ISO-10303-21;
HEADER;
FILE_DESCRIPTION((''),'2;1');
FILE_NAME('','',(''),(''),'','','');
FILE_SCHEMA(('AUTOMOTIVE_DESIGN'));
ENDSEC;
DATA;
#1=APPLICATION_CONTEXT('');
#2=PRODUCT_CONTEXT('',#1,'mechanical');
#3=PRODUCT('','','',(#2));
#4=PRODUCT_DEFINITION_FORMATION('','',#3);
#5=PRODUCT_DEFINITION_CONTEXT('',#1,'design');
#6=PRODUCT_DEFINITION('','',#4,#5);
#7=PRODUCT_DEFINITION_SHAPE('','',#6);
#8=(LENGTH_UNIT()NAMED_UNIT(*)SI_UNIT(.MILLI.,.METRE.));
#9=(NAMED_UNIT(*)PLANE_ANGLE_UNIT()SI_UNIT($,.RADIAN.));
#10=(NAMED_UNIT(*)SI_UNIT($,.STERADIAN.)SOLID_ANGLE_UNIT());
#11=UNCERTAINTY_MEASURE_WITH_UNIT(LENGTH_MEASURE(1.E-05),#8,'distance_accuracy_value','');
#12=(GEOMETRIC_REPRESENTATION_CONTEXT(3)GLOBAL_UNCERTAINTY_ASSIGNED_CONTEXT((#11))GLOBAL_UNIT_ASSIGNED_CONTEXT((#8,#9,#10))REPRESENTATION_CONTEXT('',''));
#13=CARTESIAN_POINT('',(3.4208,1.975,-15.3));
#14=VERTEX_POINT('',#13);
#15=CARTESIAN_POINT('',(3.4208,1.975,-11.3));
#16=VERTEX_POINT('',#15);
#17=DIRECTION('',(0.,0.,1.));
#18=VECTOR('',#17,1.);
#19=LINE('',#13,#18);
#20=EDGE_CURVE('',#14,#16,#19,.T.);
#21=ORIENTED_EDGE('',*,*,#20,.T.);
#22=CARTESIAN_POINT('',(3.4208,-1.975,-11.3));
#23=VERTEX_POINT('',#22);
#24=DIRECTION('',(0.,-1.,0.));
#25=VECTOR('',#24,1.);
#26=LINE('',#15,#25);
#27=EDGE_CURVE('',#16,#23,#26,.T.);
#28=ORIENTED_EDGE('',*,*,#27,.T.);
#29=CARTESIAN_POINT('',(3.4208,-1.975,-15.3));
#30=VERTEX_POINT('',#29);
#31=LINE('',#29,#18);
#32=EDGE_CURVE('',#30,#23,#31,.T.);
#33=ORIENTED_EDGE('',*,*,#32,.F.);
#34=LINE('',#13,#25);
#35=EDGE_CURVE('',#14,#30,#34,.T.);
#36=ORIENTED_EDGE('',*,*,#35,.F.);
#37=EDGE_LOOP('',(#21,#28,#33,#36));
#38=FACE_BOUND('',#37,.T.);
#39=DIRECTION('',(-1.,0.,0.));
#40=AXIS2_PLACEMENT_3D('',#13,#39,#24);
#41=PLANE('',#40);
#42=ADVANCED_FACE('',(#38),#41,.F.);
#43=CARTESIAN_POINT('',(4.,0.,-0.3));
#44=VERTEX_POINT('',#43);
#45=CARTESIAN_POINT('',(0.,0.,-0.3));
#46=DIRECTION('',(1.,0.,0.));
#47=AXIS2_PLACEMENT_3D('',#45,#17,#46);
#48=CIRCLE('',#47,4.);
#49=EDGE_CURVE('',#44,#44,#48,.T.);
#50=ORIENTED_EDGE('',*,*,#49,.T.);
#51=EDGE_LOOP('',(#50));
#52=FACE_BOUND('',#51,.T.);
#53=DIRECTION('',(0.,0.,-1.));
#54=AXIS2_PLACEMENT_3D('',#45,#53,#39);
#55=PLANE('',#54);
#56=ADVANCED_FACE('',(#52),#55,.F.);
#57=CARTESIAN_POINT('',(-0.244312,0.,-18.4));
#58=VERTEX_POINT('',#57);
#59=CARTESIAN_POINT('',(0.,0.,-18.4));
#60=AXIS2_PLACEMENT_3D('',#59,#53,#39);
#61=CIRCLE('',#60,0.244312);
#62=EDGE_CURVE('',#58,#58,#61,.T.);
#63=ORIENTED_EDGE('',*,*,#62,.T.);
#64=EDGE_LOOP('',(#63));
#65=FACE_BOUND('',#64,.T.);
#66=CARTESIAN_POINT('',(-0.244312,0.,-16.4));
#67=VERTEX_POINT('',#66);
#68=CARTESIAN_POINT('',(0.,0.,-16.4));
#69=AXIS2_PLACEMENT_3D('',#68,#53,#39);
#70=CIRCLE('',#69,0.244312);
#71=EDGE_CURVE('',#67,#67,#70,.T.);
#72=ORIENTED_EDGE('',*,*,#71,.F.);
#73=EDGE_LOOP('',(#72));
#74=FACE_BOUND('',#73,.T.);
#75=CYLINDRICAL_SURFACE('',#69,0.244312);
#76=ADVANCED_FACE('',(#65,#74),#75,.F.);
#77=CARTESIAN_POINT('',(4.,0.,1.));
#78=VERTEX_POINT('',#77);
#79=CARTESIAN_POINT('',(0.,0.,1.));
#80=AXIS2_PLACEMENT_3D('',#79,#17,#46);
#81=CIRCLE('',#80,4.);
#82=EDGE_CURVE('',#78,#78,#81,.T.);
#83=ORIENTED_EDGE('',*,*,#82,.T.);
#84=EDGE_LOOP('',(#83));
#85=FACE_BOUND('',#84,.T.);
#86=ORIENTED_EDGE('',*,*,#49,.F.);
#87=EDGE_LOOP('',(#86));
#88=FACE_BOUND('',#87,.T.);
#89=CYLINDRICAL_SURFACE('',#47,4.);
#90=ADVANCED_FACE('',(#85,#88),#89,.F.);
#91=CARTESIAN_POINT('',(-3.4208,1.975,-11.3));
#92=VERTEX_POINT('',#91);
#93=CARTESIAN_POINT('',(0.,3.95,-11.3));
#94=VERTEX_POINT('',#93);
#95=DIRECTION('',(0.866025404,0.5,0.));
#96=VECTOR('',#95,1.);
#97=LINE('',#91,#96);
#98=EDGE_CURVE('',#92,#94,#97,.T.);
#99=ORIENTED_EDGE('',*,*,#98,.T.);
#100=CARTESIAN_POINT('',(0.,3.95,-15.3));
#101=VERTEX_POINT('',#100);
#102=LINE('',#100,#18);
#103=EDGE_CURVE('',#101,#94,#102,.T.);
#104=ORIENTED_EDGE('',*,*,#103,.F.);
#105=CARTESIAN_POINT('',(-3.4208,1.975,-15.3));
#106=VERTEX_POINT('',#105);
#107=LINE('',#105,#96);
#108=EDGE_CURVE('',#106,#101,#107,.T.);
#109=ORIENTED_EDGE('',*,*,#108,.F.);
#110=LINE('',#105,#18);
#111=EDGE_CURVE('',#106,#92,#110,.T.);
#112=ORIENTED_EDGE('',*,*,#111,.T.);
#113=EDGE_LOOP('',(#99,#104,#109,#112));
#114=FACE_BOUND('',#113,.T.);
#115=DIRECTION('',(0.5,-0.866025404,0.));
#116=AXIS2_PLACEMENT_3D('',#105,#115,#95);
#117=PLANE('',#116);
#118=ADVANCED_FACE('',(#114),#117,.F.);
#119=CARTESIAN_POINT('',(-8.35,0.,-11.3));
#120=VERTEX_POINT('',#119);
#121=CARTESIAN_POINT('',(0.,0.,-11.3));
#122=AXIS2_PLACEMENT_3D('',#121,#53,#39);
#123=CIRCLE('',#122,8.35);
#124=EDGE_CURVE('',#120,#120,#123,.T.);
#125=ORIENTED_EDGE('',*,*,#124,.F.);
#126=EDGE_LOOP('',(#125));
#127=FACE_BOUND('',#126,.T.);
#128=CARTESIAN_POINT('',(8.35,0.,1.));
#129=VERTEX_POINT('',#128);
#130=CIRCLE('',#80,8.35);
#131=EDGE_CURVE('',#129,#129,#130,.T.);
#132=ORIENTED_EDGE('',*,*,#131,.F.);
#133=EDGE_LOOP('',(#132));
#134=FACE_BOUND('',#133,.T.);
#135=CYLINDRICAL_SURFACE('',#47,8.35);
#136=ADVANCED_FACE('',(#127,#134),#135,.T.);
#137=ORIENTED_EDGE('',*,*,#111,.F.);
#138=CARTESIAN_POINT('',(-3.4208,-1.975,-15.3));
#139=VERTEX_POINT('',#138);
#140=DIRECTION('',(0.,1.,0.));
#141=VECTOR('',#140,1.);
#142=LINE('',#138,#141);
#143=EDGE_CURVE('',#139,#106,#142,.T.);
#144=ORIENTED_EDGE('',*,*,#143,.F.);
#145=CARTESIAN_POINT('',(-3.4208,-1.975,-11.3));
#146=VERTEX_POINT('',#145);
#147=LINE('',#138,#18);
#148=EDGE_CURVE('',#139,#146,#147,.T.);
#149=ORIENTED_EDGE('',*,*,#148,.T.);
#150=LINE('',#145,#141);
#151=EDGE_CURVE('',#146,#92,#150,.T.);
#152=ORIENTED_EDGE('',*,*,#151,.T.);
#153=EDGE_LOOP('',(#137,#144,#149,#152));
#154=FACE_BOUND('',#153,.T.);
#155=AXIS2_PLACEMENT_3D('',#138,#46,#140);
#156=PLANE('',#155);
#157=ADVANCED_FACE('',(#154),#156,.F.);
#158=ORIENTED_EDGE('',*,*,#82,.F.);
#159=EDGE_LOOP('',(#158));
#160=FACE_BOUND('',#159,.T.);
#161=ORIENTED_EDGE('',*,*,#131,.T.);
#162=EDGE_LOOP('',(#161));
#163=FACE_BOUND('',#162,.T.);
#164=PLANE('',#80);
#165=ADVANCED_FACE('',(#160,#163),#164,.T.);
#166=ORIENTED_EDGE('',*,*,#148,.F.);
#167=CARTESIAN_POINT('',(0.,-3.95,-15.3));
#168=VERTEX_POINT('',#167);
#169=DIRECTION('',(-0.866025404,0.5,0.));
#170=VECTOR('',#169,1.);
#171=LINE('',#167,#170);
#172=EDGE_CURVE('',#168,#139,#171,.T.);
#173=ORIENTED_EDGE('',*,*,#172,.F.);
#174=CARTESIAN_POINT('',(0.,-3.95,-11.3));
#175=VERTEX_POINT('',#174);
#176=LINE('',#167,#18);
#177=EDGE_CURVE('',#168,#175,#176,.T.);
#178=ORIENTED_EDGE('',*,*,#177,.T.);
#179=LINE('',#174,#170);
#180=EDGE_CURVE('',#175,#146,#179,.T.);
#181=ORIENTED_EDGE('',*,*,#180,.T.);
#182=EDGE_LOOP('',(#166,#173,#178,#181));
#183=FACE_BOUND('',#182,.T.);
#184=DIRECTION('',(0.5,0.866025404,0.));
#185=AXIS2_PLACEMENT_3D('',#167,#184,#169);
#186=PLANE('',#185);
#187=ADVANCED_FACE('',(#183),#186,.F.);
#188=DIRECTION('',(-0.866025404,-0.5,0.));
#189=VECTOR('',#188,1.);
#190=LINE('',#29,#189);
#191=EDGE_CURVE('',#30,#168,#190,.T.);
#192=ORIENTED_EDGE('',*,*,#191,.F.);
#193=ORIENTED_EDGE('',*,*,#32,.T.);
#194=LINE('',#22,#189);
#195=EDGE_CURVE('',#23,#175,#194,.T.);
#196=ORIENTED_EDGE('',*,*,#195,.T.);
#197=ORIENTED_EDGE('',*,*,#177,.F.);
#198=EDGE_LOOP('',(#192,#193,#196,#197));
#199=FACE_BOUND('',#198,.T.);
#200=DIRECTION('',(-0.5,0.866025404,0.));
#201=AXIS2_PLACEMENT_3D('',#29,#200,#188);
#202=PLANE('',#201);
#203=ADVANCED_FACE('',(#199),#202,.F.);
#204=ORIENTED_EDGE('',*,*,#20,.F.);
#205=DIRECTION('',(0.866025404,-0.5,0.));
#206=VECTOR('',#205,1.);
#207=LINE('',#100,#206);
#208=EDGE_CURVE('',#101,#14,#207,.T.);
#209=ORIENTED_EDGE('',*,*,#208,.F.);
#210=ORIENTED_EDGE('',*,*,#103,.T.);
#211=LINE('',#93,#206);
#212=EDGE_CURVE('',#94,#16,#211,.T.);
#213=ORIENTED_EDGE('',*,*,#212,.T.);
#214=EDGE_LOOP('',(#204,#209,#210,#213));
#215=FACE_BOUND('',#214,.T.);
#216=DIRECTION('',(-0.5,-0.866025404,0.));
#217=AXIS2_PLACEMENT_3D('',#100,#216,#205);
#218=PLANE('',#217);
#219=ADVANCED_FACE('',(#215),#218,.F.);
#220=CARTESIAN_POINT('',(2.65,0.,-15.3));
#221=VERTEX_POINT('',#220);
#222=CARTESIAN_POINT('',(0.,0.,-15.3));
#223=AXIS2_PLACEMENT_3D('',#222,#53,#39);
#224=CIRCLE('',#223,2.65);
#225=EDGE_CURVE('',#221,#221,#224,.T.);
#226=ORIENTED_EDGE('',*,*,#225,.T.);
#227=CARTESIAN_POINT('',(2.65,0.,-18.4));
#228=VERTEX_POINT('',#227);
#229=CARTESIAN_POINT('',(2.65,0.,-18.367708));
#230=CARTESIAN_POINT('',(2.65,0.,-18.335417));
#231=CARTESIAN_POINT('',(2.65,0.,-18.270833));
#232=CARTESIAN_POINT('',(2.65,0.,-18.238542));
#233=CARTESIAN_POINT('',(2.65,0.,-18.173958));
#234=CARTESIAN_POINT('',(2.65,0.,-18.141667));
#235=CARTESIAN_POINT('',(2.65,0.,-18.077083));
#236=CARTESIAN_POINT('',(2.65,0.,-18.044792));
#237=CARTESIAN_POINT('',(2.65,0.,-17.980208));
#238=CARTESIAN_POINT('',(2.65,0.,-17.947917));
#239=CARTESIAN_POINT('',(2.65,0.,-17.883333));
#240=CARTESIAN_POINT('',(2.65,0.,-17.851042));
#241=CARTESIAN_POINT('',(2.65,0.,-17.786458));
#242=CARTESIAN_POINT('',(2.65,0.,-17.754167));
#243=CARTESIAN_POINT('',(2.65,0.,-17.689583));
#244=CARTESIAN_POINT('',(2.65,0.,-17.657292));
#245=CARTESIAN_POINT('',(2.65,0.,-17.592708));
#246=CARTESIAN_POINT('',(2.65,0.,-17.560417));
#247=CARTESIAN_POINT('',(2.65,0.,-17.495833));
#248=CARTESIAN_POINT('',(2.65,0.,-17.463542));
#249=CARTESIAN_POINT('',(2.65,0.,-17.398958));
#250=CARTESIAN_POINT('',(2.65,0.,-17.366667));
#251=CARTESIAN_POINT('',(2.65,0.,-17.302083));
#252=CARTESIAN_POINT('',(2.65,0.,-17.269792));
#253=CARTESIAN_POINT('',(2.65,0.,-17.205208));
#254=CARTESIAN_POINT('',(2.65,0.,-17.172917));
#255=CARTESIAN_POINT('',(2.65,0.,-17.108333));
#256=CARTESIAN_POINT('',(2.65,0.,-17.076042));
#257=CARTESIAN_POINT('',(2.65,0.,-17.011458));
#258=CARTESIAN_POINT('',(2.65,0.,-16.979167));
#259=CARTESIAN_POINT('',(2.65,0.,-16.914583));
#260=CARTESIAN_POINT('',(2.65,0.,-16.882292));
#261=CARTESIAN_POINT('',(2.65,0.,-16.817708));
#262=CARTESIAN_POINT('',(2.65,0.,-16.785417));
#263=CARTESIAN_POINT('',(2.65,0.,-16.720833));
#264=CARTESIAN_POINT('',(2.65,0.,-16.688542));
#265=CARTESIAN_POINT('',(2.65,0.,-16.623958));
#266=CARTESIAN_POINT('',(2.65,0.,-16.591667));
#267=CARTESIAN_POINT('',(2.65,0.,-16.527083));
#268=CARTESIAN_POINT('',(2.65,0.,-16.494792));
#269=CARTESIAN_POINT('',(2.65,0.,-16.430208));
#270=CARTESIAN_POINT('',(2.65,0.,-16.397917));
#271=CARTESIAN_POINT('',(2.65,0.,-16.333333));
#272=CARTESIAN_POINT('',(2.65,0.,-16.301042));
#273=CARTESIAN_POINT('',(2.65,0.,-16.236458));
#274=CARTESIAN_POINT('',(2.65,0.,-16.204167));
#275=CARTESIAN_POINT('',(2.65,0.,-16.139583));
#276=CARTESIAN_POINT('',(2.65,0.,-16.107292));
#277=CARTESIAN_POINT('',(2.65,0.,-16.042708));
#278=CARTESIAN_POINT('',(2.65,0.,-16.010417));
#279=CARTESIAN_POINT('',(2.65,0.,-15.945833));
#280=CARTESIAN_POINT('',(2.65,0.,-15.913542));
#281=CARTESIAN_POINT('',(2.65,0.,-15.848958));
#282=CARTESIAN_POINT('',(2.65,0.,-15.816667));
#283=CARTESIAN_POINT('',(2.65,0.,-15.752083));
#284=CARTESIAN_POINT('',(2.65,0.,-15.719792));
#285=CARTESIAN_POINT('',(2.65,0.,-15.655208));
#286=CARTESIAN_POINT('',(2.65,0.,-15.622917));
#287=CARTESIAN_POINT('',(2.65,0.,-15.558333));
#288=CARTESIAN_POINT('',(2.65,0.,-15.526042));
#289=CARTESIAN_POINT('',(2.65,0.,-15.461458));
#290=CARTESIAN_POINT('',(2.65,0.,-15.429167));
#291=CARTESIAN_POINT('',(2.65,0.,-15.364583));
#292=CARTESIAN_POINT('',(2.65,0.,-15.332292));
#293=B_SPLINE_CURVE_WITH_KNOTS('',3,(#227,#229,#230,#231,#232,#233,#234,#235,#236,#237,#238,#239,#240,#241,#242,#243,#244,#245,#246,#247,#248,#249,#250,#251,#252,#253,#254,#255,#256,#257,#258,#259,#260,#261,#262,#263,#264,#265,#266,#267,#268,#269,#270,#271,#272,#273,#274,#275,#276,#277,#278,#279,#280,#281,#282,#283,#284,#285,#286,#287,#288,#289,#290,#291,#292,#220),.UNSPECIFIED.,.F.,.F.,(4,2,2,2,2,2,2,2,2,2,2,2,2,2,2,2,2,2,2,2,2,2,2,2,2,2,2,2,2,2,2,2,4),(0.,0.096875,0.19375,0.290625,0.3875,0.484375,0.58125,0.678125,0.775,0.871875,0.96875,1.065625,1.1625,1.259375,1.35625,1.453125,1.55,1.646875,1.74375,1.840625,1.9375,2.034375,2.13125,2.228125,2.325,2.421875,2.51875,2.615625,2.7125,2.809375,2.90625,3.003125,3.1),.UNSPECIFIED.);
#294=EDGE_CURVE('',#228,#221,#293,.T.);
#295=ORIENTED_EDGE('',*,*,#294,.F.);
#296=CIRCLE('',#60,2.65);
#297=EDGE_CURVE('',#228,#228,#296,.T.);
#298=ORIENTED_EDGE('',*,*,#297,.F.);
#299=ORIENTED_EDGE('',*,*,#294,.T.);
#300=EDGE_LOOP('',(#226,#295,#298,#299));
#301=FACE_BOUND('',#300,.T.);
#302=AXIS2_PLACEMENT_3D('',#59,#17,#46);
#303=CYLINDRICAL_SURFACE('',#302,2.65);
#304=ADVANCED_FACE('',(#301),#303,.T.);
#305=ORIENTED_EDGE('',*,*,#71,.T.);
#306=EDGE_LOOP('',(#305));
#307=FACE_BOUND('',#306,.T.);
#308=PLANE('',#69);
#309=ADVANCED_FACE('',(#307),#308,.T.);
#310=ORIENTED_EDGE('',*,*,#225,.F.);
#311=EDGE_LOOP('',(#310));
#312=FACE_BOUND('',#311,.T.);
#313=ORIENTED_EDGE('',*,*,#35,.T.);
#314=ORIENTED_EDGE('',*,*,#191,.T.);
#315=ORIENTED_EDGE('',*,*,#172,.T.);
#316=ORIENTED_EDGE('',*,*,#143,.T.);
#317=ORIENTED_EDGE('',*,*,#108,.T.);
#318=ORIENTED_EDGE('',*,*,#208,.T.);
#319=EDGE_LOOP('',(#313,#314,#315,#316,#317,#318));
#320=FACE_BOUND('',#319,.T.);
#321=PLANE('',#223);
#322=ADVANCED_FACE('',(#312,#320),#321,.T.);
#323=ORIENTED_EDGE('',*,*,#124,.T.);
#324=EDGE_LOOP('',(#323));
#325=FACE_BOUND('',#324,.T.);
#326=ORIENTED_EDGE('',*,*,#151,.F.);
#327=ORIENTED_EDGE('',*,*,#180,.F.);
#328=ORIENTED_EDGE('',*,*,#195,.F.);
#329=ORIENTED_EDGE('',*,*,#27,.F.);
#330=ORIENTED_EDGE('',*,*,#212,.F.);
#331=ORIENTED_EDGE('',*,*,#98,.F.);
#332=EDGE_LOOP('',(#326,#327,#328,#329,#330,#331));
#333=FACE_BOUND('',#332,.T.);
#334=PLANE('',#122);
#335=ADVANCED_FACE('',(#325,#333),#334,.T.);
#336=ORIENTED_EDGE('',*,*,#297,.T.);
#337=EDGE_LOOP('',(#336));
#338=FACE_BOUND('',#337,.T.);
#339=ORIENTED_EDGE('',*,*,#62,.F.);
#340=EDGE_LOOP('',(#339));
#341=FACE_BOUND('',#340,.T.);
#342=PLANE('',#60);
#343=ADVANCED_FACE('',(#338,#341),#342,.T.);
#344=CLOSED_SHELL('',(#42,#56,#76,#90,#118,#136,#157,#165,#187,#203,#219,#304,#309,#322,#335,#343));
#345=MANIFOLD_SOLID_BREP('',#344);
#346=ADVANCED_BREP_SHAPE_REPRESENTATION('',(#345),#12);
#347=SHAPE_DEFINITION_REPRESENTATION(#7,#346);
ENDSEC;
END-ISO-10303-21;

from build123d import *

# Parameters (mm, degrees)
BOSS_EXTRUDE1_DEPTH      = 1
BOSS_EXTRUDE1_DEPTH_BACK = 0.3
SKETCH3_R                = 8.35
SKETCH3_R_2              = 4
SKETCH4_R                = 8.35
BOSS_EXTRUDE2_DEPTH      = 11
BOSS_EXTRUDE4_DEPTH      = 4
SKETCH6_R                = 2.65
BOSS_EXTRUDE5_DEPTH      = 3.1
SKETCH7_R                = 0.244312337
CUT_EXTRUDE1_DEPTH       = 2


with BuildPart() as part:
    # Sketch3 → Boss-Extrude1 (new, two sides: drawn at the far end of the back side and taken through both)
    with BuildSketch(Plane.XY.offset(-BOSS_EXTRUDE1_DEPTH_BACK)):
        Circle(SKETCH3_R)
        Circle(SKETCH3_R_2, mode=Mode.SUBTRACT)
    extrude(amount=BOSS_EXTRUDE1_DEPTH + BOSS_EXTRUDE1_DEPTH_BACK)

    # Sketch4 → Boss-Extrude2 (add)
    with BuildSketch(Plane(origin=(0, 0, -0.3), x_dir=(-1, 0, 0), z_dir=(0, 0, -1))):
        with Locations(Location((0, 0, 0), (0, 0, 180))):
            Circle(SKETCH4_R)
    extrude(amount=BOSS_EXTRUDE2_DEPTH)

    # Sketch5 → Boss-Extrude4 (add)
    with BuildSketch(Plane(origin=(0, 0, -11.3), x_dir=(-1, 0, 0), z_dir=(0, 0, -1))):
        Polygon((0, 3.95), (-3.420800345, 1.975), (-3.420800345, -1.975), (0, -3.95), (3.420800345, -1.975), (3.420800345, 1.975), align=None)
    extrude(amount=BOSS_EXTRUDE4_DEPTH)

    # Sketch6 → Boss-Extrude5 (add)
    with BuildSketch(Plane(origin=(0, 0, -15.3), x_dir=(-1, 0, 0), z_dir=(0, 0, -1))):
        with Locations(Location((0, 0, 0), (0, 0, 180))):
            Circle(SKETCH6_R)
    extrude(amount=BOSS_EXTRUDE5_DEPTH)

    # Sketch7 → Cut-Extrude1 (cut)
    with BuildSketch(Plane(origin=(0, 0, -18.4), x_dir=(-1, 0, 0), z_dir=(0, 0, -1))):
        Circle(SKETCH7_R)
    extrude(amount=-CUT_EXTRUDE1_DEPTH, mode=Mode.SUBTRACT)


solid = part.part
